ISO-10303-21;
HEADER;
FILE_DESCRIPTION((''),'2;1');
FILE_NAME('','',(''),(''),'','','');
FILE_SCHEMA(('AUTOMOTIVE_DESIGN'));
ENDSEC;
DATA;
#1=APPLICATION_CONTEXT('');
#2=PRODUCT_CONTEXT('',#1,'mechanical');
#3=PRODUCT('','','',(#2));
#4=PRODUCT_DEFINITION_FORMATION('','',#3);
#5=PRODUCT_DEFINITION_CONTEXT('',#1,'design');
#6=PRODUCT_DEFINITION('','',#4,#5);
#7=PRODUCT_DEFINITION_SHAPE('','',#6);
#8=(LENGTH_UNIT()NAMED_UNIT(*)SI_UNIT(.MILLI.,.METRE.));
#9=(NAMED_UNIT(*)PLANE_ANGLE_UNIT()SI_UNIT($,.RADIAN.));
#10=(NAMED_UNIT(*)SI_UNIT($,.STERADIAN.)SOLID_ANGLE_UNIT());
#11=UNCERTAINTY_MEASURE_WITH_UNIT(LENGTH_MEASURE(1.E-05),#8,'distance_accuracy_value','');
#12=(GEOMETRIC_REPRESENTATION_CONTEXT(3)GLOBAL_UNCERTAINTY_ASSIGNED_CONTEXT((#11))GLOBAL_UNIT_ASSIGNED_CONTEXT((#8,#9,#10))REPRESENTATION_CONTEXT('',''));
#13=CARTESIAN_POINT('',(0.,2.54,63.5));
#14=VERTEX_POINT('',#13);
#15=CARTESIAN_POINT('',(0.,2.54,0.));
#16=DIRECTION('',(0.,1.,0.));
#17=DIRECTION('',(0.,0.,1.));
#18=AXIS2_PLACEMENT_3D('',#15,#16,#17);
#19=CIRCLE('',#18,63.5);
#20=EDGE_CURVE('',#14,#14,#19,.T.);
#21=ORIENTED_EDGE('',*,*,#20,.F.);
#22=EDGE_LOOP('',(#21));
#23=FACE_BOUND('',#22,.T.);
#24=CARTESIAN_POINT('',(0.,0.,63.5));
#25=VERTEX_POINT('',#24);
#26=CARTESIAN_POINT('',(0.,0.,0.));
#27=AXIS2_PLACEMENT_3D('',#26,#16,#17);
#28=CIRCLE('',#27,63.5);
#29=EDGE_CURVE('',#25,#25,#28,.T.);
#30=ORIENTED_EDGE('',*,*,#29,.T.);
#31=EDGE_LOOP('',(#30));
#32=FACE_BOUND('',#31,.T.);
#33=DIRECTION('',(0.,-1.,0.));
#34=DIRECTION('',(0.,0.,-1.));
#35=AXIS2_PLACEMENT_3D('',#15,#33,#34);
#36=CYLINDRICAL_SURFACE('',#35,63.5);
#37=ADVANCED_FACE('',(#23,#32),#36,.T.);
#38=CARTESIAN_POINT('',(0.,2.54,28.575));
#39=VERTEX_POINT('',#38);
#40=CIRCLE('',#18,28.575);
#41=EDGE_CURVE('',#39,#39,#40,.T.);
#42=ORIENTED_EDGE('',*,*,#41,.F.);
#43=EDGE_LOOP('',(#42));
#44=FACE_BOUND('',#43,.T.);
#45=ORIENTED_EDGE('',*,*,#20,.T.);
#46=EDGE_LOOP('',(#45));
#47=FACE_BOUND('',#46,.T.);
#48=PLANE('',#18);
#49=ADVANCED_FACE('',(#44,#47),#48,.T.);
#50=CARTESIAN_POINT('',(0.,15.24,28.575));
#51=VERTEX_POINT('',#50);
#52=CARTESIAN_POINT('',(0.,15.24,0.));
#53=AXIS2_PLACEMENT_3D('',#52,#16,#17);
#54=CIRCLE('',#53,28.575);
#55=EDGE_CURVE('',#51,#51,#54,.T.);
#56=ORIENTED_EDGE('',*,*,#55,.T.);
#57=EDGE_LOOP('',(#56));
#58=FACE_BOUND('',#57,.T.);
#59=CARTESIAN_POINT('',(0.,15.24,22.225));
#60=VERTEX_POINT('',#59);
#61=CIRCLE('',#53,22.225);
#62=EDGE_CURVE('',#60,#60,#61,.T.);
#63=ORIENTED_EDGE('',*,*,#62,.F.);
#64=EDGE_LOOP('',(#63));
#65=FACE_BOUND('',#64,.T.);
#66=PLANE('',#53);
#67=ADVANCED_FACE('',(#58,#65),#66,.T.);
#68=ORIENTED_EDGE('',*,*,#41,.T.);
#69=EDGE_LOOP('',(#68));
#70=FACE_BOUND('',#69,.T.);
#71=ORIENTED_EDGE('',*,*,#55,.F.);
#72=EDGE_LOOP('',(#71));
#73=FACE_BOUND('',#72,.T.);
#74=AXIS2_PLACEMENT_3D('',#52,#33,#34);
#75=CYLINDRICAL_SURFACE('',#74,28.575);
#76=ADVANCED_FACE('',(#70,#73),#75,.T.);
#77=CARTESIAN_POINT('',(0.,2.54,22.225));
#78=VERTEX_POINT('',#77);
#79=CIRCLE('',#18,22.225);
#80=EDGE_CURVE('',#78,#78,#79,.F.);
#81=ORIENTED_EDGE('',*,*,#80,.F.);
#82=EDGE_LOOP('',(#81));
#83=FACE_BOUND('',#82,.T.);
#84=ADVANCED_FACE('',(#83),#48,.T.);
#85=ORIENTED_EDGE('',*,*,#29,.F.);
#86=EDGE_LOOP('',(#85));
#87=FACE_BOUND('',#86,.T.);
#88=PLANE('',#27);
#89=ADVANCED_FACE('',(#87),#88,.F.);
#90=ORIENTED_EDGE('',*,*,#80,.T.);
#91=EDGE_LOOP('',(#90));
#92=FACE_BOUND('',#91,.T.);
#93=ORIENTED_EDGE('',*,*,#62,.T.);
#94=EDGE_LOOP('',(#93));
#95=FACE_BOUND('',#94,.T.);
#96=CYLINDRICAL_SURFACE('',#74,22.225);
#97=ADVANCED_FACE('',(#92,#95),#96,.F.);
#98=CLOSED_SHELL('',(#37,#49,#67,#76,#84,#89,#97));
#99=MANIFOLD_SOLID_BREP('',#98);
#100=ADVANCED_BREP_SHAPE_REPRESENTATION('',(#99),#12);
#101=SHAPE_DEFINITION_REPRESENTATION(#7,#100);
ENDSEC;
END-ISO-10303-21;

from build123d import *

# Parameters (mm, degrees)
SKETCH1_R           = 63.5
BOSS_EXTRUDE1_DEPTH = 2.54
SKETCH2_R           = 28.575
SKETCH2_R_2         = 22.225
BOSS_EXTRUDE2_DEPTH = 12.7


with BuildPart() as part:
    # Sketch1 → Boss-Extrude1 (new body)
    with BuildSketch(Plane(origin=(0, 0, 0), x_dir=(1, 0, 0), z_dir=(0, 1, 0))):
        with Locations(Location((0, 0, 0), (0, 0, 270))):
            Circle(SKETCH1_R)
    extrude(amount=BOSS_EXTRUDE1_DEPTH)

    # Sketch2 → Boss-Extrude2 (add)
    with BuildSketch(Plane(origin=(0, 2.54, 0), x_dir=(1, 0, 0), z_dir=(0, 1, 0))):
        with Locations(Location((0, 0, 0), (0, 0, 270))):
            Circle(SKETCH2_R)
        with Locations(Location((0, 0, 0), (0, 0, 270))):
            Circle(SKETCH2_R_2, mode=Mode.SUBTRACT)
    extrude(amount=BOSS_EXTRUDE2_DEPTH)


solid = part.part
